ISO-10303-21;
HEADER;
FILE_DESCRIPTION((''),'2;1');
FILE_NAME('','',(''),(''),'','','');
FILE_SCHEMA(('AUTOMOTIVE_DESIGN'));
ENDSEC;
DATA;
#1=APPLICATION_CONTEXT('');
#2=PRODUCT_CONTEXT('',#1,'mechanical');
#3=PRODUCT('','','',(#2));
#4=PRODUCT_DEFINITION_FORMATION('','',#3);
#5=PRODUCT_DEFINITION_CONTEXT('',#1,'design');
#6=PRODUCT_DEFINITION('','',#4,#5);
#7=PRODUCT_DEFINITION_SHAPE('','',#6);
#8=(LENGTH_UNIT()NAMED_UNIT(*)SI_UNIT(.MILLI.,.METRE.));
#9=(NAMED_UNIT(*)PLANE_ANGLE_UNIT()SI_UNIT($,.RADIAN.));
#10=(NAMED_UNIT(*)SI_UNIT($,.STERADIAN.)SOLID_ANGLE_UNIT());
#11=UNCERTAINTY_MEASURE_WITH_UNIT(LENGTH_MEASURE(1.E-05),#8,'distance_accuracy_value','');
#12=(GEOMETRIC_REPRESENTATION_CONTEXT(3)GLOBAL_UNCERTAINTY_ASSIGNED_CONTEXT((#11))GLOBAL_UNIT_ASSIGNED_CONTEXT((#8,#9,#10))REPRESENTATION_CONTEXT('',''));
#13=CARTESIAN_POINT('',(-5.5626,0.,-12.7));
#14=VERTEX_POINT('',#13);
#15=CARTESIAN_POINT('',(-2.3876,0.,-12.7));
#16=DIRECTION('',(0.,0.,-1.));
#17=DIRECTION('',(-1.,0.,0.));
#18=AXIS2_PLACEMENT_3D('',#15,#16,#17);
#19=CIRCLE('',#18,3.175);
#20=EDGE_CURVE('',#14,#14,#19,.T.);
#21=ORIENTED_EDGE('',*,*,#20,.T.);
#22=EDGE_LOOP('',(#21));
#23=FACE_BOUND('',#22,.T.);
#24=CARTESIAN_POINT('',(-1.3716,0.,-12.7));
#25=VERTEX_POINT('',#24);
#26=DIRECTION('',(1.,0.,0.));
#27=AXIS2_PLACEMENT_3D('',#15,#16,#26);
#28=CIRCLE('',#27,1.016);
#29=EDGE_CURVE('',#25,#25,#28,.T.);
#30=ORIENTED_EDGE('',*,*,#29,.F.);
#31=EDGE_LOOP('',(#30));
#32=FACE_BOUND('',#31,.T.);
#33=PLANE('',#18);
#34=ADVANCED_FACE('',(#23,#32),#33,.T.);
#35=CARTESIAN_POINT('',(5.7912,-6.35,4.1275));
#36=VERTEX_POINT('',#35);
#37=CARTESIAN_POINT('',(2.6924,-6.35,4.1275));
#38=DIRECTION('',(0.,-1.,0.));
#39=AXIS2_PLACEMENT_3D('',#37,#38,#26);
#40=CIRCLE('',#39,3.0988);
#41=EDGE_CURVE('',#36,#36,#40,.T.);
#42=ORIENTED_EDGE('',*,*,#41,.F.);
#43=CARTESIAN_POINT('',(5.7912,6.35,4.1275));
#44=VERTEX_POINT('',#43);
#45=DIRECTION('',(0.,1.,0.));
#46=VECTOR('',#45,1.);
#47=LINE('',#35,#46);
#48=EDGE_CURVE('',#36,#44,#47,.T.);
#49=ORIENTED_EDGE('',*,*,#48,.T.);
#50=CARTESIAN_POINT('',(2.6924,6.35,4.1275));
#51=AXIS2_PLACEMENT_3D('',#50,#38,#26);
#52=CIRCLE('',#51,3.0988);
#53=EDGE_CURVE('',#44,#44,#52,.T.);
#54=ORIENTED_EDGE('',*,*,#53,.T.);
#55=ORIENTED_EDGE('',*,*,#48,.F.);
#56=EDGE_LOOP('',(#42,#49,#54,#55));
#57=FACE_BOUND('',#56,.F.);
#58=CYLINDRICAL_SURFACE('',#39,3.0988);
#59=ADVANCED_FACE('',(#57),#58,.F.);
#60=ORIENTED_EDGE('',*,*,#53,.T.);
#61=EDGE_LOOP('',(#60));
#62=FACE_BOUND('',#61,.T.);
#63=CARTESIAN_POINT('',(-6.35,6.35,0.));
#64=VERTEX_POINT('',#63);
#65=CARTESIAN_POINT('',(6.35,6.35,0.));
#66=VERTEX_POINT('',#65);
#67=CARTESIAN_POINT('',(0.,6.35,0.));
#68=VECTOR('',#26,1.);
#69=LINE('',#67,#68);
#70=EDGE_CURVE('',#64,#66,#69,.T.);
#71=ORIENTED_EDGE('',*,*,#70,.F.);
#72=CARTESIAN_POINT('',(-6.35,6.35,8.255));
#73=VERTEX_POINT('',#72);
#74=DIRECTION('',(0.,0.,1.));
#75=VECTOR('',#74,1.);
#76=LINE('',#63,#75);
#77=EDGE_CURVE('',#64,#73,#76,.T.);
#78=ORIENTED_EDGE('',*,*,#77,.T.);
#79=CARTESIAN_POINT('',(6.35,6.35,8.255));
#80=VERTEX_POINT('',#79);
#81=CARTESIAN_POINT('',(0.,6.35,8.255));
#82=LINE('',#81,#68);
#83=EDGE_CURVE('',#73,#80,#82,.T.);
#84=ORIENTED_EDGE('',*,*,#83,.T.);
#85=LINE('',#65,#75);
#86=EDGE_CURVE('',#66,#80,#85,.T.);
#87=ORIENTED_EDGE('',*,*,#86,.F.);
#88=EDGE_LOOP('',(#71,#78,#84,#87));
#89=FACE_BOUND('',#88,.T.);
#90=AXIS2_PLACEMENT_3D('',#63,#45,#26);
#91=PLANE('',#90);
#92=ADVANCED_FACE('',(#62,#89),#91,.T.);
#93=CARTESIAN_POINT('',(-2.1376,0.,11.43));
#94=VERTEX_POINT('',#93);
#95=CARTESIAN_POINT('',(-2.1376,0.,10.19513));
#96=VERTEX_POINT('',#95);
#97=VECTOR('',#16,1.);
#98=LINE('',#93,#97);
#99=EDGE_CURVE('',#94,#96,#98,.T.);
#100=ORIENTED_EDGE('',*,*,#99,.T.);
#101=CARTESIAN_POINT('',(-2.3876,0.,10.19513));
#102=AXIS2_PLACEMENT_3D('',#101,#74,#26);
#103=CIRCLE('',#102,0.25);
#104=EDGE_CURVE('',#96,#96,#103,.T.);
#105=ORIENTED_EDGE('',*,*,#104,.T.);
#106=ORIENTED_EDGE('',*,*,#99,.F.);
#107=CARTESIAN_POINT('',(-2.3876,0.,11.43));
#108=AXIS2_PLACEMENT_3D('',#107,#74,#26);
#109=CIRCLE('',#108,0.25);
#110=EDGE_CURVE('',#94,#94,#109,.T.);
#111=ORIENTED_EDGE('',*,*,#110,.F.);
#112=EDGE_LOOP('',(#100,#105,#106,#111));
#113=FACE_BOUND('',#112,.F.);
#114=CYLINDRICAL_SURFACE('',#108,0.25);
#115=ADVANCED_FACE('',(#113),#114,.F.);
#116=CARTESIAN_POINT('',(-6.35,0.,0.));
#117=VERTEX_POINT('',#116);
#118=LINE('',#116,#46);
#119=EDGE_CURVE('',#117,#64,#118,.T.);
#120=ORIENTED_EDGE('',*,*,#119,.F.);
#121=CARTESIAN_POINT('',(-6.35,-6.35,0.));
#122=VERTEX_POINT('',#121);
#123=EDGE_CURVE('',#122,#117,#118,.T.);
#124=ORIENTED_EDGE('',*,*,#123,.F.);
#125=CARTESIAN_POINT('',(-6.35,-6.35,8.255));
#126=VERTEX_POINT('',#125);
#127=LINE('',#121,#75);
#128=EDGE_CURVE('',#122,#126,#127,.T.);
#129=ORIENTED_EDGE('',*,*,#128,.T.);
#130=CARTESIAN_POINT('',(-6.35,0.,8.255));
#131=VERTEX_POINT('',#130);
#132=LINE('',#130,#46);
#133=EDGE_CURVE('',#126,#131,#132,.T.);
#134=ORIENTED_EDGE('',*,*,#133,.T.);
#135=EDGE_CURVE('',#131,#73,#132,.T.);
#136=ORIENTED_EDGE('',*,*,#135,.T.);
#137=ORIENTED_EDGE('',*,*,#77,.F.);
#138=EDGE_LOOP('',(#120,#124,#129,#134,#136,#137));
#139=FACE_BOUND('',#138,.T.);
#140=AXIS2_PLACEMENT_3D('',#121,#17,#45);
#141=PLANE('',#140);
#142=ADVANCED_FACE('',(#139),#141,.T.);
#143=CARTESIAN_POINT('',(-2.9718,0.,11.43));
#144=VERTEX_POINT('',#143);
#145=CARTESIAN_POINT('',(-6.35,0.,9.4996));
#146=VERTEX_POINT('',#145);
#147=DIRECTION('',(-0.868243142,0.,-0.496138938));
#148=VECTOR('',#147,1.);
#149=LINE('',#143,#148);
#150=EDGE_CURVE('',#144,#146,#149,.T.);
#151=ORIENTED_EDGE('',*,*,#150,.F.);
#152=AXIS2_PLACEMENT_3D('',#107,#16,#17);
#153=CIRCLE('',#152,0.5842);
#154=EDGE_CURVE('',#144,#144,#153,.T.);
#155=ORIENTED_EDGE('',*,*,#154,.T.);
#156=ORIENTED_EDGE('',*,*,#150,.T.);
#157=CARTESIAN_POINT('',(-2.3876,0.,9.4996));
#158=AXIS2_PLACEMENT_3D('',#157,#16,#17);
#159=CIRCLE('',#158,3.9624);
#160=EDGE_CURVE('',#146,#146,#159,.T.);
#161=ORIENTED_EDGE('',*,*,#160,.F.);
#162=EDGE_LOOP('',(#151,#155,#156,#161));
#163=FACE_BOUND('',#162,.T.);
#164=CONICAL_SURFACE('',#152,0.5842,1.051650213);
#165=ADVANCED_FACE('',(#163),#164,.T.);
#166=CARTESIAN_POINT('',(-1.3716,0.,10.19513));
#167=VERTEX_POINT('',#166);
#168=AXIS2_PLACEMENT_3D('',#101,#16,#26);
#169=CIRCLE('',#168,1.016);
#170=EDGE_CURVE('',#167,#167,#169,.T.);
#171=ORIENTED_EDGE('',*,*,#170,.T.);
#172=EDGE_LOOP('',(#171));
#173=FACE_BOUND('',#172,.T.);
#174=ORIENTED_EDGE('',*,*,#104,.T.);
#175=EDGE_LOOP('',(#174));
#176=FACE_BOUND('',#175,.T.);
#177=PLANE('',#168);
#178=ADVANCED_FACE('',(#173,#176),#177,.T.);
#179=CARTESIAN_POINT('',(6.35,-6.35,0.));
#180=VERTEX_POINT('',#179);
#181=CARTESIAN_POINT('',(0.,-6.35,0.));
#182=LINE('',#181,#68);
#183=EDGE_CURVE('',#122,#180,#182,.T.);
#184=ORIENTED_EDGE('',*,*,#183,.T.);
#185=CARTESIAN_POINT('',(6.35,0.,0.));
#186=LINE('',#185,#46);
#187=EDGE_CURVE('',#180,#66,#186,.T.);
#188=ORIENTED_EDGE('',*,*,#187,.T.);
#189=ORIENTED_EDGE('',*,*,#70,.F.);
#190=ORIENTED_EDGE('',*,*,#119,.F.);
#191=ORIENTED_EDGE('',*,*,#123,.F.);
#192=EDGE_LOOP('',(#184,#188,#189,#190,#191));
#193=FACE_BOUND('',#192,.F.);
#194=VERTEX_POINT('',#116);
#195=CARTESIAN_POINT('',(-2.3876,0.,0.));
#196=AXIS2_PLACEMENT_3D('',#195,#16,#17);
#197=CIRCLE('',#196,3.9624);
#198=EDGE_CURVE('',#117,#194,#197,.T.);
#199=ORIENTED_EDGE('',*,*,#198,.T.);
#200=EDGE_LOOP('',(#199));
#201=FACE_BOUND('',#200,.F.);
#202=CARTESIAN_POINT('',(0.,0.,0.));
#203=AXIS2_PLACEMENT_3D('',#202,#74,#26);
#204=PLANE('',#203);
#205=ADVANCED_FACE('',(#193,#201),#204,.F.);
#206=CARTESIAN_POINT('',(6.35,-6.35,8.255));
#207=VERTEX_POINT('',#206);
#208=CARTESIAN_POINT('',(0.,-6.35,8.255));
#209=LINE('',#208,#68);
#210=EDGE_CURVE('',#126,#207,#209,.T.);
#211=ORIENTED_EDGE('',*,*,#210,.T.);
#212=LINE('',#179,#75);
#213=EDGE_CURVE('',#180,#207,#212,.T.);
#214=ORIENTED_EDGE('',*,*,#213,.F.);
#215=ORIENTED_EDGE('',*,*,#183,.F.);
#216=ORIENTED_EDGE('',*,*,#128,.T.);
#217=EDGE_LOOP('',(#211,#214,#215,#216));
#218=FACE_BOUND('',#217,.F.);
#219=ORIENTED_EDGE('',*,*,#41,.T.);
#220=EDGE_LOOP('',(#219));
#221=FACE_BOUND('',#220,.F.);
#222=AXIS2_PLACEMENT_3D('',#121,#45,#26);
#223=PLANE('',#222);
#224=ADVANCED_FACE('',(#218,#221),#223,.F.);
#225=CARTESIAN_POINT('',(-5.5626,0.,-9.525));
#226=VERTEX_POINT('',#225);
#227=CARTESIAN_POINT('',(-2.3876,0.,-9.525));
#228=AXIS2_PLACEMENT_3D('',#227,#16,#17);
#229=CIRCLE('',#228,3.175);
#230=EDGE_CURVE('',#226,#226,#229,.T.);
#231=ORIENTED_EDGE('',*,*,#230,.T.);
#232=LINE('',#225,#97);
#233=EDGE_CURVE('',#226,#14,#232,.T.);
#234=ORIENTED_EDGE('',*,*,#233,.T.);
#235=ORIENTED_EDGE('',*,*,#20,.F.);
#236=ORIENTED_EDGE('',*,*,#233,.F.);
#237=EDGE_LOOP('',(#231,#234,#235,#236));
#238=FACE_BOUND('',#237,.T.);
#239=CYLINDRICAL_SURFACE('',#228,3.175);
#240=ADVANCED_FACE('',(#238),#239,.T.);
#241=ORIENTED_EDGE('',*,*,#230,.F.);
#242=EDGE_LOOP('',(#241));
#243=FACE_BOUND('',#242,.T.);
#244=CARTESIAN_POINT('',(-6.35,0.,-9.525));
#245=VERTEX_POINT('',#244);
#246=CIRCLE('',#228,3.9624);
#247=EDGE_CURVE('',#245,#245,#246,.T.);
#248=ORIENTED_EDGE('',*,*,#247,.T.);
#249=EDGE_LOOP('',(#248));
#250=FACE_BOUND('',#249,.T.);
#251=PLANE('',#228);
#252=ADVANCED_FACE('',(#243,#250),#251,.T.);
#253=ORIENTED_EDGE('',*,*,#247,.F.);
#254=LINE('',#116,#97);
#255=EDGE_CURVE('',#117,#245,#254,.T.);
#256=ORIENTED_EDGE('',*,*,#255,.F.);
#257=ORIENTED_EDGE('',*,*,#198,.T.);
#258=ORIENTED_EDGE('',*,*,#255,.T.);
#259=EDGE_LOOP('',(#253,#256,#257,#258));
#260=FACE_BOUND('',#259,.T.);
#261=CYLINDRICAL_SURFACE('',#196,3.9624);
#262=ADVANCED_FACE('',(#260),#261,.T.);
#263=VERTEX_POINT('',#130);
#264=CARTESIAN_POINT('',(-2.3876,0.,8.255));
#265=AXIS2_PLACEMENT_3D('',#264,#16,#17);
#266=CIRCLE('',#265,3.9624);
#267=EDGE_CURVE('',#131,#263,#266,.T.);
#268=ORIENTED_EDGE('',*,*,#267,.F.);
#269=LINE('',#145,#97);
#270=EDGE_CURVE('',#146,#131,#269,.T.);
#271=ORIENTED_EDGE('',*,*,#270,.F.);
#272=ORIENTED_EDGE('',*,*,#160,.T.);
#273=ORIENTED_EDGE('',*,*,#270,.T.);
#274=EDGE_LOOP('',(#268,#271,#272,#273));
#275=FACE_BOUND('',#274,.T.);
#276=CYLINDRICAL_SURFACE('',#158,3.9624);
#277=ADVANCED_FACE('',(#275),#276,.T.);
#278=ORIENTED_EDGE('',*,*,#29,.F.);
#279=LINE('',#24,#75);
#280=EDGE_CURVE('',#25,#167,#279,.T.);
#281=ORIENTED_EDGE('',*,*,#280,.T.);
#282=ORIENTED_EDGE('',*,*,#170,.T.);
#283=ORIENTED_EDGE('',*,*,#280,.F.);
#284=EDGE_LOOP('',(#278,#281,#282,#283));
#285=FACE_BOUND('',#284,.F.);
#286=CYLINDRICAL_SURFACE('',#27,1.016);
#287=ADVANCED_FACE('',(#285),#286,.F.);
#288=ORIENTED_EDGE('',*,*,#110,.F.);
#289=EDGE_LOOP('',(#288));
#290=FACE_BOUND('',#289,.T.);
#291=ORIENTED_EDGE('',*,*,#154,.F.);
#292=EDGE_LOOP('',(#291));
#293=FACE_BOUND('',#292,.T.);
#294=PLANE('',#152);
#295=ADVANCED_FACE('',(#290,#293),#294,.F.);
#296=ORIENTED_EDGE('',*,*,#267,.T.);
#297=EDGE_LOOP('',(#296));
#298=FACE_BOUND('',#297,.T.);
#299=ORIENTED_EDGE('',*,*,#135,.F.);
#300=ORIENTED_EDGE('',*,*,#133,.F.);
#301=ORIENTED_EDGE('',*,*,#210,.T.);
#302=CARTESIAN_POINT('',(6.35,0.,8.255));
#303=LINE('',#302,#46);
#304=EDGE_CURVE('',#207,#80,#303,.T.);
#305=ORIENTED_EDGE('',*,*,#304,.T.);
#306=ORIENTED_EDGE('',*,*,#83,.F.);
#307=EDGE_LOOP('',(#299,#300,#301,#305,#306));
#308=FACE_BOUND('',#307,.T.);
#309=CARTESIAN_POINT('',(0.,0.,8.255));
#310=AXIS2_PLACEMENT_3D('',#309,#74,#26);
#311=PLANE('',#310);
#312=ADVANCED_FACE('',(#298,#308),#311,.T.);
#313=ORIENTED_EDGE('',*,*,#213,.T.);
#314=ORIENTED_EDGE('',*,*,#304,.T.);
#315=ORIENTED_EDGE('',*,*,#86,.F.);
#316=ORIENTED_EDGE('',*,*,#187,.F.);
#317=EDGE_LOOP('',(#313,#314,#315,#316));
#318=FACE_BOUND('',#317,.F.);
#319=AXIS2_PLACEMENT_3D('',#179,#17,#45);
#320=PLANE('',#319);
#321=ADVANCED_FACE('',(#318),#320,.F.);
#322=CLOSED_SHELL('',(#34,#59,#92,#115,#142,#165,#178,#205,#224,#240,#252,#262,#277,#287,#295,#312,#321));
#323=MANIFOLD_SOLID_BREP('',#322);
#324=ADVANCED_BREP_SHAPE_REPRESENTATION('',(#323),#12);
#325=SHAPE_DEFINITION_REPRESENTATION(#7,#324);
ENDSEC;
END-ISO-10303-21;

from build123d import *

# Parameters (mm, degrees)
F0_W      = 12.7
F0_H      = 12.7
F1_DEPTH  = 8.255
F2_R      = 3.0988
F3_DEPTH  = 12.701
F7_R      = 1.016
F8_DEPTH  = 22.89513
F9_R      = 0.25
F10_DEPTH = 24.131


with BuildPart() as f1:
    # F0 (on Top) → F1 (new body)
    with BuildSketch(Plane.XY):
        Rectangle(F0_W, F0_H)
    extrude(amount=F1_DEPTH)

    # F2 (on face) → F3 (cut, through all)
    with BuildSketch(Plane.XZ.offset(6.35)):
        with Locations((2.6924, 4.1275)):
            Circle(F2_R)
    extrude(amount=-F3_DEPTH, mode=Mode.SUBTRACT)

    # F4 (on Front) → F5 (revolve)
    with BuildSketch(Plane.XZ):
        Polygon((-2.3876, 8.255), (-2.3876, 11.43), (-2.9718, 11.43), (-6.35, 9.4996), (-6.35, 8.255), align=None)
    revolve(axis=Axis((-2.3876, 0, 3.00711), (0, 0, -1)))

    # F4 (on Front) → F6 (revolve)
    with BuildSketch(Plane.XZ):
        Polygon((-2.3876, -12.7), (-2.3876, 0), (-6.35, 0), (-6.35, -9.525), (-5.5626, -9.525), (-5.5626, -12.7), align=None)
    revolve(axis=Axis((-2.3876, 0, 3.00711), (0, 0, -1)))

    # F7 (on face) → F8 (cut)
    with BuildSketch(Plane(origin=(0, 0, -12.7), x_dir=(1, 0, 0), z_dir=(0, 0, -1))):
        with Locations((-2.3876, 0)):
            Circle(F7_R)
    extrude(amount=-F8_DEPTH, mode=Mode.SUBTRACT)

    # F9 (on face) → F10 (cut, through all)
    with BuildSketch(Plane.XY.offset(11.43)):
        with Locations((-2.3876, 0)):
            Circle(F9_R)
    extrude(amount=-F10_DEPTH, mode=Mode.SUBTRACT)


solid = f1.part
